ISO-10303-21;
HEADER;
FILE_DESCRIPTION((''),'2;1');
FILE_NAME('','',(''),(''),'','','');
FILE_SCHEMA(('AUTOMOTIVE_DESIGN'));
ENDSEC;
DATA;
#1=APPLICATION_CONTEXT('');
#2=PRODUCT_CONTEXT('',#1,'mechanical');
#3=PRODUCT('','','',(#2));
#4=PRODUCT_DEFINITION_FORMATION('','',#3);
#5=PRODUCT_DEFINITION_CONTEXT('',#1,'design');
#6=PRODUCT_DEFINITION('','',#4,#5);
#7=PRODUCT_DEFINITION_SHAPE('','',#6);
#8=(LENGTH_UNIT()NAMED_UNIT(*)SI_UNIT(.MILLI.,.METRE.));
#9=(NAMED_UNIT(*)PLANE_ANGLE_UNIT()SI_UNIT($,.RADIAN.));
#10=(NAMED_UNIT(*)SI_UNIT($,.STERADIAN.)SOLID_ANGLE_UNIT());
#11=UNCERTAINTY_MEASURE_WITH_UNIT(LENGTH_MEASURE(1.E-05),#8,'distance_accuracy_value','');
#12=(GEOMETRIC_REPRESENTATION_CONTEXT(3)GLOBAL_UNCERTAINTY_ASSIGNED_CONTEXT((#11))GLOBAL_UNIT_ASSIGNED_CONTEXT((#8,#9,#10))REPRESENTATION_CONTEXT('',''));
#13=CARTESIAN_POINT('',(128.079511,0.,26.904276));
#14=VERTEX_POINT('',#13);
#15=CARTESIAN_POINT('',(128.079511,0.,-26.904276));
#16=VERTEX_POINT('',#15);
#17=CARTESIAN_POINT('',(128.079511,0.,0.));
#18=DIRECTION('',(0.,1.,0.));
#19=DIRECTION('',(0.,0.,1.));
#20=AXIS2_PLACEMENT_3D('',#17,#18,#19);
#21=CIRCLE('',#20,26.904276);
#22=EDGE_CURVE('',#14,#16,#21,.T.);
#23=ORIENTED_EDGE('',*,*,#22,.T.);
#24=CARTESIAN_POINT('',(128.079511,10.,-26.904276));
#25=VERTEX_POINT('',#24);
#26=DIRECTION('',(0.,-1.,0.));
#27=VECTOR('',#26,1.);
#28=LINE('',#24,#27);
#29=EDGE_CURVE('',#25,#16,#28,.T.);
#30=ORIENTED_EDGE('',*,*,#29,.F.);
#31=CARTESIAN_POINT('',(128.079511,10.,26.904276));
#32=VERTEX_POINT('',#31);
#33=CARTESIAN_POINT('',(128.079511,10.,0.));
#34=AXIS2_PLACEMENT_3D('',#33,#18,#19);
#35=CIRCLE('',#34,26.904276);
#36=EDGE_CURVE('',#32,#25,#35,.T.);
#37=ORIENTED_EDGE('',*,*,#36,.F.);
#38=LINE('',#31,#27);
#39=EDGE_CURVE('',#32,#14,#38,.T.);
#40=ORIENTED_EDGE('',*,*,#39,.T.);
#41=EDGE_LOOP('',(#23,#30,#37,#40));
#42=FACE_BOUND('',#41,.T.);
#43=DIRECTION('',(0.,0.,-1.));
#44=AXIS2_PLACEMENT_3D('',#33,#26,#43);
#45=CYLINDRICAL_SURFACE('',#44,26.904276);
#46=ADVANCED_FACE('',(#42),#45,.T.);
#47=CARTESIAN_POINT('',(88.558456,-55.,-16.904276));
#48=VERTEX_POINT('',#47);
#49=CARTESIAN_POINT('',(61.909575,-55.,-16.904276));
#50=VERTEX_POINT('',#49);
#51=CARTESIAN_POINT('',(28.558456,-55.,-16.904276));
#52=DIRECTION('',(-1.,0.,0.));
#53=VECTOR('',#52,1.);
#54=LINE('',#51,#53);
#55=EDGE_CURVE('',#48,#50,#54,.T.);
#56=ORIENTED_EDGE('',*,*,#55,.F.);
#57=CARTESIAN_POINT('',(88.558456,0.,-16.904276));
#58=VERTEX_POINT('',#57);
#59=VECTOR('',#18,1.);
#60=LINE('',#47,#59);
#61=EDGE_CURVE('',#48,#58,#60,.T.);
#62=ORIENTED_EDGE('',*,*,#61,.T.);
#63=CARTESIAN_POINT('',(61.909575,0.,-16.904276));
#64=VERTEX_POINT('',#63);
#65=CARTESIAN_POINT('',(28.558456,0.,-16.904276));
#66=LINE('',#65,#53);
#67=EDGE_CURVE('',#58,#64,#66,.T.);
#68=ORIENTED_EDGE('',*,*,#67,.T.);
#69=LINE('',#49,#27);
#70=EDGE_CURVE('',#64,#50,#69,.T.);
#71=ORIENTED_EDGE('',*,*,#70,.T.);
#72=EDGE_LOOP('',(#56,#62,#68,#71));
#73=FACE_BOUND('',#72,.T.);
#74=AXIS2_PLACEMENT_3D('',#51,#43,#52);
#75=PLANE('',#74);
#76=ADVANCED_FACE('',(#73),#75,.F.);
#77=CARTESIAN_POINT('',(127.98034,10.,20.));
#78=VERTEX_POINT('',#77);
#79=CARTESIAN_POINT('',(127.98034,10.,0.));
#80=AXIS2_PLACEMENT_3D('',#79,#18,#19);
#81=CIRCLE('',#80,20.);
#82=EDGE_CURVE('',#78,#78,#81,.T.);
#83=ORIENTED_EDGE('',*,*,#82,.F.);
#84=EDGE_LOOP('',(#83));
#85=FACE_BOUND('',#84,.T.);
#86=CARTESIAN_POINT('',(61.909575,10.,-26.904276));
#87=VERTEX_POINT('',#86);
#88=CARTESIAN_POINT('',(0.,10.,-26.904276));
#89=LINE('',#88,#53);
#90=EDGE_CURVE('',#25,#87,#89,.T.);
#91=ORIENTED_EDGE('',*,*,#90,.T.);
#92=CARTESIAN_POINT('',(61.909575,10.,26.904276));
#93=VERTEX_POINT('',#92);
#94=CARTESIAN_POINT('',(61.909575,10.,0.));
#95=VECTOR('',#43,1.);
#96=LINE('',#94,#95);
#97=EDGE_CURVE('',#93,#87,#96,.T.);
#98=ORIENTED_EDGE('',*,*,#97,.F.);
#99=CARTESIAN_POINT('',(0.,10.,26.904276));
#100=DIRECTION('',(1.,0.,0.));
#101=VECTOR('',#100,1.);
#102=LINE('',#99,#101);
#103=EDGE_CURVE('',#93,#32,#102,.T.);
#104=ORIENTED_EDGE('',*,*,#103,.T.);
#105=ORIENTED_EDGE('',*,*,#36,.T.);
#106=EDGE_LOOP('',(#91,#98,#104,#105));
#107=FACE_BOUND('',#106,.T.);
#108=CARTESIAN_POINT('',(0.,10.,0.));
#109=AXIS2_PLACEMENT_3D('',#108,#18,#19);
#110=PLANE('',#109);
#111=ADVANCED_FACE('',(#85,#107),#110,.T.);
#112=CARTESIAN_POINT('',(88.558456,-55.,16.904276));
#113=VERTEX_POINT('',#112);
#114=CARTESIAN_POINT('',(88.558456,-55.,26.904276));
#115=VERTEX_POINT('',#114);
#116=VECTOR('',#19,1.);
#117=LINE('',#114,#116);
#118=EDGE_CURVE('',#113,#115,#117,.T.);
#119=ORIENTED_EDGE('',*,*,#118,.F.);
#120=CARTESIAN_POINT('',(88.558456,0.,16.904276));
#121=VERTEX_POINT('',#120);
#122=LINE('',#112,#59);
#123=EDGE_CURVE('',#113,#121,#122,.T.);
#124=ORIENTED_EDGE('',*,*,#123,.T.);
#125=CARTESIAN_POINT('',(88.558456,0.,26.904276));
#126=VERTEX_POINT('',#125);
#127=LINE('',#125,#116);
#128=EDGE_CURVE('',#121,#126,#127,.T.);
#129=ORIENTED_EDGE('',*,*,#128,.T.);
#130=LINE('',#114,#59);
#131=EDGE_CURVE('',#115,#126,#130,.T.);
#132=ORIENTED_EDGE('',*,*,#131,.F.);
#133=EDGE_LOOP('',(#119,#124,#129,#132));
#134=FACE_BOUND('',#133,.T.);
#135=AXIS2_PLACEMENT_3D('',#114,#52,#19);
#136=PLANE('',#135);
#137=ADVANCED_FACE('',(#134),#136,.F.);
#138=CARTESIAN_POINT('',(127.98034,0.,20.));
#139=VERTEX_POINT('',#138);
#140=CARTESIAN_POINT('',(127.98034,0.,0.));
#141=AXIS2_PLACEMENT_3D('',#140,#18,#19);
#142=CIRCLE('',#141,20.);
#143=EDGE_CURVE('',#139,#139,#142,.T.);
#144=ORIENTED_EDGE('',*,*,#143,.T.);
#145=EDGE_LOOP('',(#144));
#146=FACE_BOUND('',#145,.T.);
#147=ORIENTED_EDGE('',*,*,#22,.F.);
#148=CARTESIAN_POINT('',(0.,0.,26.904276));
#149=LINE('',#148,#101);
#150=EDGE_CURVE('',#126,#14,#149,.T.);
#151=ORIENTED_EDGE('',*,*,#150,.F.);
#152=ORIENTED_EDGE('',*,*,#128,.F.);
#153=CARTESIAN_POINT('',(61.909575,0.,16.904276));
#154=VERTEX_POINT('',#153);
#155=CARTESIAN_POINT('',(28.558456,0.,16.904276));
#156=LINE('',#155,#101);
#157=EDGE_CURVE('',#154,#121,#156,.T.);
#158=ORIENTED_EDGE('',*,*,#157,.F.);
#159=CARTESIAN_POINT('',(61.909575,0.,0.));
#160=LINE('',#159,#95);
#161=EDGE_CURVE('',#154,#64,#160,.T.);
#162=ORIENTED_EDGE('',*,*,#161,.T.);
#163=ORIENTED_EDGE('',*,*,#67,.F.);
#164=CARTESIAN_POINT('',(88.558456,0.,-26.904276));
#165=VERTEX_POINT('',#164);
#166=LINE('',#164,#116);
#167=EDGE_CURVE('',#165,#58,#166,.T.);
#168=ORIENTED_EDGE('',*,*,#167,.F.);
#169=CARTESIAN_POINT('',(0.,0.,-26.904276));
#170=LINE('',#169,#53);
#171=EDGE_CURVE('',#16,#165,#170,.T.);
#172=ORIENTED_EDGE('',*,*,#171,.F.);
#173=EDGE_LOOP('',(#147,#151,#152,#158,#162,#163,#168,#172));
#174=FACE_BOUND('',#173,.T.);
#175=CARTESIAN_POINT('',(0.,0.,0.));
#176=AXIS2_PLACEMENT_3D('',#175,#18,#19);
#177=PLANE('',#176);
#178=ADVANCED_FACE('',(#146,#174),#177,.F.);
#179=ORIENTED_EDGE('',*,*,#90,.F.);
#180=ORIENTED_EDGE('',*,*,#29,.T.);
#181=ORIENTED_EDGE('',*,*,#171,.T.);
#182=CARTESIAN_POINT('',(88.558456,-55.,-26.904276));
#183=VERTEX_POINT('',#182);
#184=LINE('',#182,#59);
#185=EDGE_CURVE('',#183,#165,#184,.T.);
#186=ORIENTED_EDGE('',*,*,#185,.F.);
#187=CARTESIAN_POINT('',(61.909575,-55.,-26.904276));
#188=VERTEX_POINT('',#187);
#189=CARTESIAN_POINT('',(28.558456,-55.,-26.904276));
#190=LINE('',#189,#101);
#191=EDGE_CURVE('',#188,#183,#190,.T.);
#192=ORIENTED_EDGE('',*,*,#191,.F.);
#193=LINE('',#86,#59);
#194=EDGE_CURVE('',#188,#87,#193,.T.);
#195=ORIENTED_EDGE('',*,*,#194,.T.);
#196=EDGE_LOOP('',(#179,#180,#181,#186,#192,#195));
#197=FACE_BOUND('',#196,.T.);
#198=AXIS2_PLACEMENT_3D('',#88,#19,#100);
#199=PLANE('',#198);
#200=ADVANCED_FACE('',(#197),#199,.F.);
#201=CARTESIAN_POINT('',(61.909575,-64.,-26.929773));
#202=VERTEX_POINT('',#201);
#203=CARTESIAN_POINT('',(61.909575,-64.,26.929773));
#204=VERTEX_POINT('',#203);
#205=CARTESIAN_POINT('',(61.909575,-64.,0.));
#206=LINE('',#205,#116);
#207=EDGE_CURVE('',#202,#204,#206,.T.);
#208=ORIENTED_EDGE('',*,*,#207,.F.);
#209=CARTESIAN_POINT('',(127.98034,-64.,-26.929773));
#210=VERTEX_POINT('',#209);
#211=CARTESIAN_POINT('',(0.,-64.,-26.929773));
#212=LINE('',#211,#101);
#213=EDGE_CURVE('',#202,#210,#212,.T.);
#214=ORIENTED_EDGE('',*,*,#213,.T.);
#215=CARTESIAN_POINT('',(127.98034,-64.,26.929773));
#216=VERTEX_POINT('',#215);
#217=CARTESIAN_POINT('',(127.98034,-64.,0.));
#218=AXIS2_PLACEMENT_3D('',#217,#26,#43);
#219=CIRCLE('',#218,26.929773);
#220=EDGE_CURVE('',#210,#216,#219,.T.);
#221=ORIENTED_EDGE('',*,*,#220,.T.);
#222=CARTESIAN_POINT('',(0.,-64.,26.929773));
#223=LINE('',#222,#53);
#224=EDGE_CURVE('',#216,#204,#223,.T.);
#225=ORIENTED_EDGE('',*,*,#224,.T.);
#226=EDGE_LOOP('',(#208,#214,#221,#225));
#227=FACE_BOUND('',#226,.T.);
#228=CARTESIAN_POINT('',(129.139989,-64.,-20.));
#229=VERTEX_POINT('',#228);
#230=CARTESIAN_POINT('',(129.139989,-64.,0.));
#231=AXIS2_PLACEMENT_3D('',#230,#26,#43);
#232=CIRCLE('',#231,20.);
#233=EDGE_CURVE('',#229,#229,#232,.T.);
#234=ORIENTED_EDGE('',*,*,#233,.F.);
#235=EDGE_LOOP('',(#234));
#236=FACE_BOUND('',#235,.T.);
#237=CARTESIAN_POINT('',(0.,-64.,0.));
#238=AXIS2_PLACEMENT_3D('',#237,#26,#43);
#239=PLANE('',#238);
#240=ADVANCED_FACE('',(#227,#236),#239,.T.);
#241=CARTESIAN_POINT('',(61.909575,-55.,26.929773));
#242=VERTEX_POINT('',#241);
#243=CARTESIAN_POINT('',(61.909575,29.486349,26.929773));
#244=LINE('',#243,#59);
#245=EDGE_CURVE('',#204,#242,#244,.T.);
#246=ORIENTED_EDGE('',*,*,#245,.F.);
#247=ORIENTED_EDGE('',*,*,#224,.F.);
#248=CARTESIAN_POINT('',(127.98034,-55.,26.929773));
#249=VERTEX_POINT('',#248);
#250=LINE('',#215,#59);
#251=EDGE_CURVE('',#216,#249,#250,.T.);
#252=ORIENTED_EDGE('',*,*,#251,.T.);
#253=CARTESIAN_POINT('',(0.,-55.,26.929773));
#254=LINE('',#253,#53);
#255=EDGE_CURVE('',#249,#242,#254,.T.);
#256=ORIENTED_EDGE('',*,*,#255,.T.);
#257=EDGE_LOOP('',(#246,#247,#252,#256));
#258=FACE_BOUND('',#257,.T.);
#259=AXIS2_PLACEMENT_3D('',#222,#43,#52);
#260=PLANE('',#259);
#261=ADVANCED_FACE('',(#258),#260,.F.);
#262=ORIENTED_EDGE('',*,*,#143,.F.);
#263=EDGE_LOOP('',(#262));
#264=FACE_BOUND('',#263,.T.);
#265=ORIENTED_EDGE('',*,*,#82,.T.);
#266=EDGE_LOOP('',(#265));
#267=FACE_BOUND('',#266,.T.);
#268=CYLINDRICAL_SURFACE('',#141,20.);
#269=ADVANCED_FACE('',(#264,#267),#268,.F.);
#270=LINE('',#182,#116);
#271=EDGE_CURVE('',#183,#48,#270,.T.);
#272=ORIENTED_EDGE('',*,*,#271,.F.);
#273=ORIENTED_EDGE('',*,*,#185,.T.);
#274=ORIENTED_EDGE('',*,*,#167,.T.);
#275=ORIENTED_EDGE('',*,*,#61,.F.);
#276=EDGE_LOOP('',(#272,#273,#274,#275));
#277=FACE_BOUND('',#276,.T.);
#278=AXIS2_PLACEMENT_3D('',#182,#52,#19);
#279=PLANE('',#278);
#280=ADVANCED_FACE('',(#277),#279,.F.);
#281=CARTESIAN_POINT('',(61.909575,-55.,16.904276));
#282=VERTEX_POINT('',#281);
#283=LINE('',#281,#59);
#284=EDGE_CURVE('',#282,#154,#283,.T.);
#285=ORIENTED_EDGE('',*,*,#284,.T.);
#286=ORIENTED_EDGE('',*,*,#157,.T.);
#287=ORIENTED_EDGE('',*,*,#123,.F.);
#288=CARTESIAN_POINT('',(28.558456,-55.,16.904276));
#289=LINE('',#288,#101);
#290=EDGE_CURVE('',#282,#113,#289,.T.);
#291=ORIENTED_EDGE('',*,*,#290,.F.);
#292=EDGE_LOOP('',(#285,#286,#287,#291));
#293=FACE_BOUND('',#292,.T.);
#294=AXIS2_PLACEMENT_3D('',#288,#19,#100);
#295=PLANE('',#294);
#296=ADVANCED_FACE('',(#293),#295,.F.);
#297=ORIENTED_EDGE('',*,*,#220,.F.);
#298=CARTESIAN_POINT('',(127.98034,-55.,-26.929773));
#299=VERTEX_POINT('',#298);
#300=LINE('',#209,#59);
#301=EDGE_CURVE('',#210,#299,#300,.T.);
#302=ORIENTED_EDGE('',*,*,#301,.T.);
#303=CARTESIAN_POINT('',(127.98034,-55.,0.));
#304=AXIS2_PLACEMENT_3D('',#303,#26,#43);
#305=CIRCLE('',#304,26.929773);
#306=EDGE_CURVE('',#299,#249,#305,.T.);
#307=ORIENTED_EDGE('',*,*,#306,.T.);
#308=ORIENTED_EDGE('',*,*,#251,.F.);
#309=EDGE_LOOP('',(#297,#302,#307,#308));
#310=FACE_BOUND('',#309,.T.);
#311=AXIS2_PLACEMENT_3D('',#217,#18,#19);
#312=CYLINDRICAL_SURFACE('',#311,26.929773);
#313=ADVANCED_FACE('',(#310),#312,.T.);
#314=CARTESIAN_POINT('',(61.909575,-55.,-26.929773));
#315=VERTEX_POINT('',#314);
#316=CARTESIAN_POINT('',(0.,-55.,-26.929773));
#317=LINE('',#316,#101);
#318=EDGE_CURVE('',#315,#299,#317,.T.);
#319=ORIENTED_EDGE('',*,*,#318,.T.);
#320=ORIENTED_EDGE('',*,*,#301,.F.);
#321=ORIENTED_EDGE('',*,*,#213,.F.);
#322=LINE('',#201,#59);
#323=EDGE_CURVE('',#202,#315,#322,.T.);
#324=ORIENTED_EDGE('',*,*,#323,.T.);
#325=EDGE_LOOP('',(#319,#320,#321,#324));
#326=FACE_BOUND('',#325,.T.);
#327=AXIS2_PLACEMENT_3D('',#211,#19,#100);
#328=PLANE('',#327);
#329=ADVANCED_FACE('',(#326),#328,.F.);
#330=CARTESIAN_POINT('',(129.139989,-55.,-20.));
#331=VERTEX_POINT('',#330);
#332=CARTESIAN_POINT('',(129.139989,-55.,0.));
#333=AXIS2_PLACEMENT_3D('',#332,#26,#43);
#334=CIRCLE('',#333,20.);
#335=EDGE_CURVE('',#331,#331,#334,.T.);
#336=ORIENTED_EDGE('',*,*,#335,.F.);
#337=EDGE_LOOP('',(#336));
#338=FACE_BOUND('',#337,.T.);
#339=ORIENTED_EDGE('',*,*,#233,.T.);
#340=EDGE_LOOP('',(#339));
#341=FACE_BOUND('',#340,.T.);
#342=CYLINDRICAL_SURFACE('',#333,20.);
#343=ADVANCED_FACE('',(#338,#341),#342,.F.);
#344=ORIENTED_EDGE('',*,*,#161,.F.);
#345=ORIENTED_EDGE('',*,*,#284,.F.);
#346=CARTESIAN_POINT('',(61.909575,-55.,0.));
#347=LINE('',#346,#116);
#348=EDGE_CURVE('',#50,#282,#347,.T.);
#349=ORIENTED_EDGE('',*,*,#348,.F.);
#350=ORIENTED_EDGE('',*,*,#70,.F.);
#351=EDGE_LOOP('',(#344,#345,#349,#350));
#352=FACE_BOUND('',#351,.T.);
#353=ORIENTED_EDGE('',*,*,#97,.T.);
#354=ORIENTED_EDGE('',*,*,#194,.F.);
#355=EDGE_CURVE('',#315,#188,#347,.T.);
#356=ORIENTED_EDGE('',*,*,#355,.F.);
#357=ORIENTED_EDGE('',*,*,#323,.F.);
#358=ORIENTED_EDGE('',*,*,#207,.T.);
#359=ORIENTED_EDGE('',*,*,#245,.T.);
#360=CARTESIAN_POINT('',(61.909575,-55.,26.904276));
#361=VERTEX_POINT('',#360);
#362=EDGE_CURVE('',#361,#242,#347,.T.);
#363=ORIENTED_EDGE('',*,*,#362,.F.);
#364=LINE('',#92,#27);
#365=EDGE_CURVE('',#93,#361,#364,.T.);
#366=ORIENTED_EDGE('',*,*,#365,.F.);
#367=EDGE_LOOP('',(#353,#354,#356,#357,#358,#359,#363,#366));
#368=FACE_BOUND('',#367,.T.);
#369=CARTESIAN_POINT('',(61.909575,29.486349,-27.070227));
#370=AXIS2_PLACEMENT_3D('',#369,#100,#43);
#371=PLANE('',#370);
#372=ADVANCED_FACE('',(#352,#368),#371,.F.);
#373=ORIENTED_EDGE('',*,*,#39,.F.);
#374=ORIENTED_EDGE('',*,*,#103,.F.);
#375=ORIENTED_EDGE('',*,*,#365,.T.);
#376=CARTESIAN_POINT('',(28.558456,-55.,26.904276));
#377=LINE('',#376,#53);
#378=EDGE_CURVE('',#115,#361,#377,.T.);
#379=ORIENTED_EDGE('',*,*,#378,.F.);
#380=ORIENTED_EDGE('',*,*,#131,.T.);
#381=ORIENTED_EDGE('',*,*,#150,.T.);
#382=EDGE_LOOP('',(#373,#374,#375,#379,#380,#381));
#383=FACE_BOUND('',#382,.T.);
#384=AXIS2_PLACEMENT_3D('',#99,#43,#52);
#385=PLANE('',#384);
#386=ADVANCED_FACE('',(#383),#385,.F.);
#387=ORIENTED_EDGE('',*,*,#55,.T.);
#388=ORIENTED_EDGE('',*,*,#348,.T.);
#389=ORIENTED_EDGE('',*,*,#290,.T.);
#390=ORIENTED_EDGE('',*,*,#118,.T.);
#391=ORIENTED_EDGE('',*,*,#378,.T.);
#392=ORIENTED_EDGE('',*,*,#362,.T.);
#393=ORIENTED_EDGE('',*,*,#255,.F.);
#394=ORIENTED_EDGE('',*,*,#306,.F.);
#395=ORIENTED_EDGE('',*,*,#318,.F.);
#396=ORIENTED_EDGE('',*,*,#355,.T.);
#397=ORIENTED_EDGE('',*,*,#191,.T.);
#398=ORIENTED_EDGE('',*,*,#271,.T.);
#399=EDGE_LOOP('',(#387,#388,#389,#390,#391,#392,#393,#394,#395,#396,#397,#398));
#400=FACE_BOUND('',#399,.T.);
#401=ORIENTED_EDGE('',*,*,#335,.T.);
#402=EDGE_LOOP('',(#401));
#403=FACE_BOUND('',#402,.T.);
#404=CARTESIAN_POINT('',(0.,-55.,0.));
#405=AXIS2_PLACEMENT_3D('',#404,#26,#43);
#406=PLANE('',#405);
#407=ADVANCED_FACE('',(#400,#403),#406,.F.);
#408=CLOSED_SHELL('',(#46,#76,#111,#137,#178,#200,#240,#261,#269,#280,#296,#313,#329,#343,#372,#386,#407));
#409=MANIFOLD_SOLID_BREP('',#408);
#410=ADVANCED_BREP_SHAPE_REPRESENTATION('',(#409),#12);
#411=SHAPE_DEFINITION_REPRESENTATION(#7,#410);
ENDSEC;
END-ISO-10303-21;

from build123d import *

# Parameters (mm, degrees)
SALIENTE_EXTRUIR1_DEPTH = 10
CROQUIS2_R              = 20
CORTAR_EXTRUIR1_DEPTH   = 10
CROQUIS3_R              = 20
CORTAR_EXTRUIR2_DEPTH   = 10
CROQUIS5_W              = 60
CROQUIS5_H              = 10
SALIENTE_EXTRUIR3_DEPTH = 55
SALIENTE_EXTRUIR4_DEPTH = 9
CROQUIS8_R              = 20
CORTAR_EXTRUIR3_DEPTH   = 9
CROQUIS9_R              = 20
CORTAR_EXTRUIR4_DEPTH   = 10
CROQUIS11_W             = 94.452906293
CROQUIS11_H             = 104.053500068
CORTAR_EXTRUIR6_DEPTH   = 54
CROQUIS15_W             = 76.60704733
CROQUIS15_H             = 9.910818825
CORTAR_EXTRUIR7_DEPTH   = 76


with BuildPart() as part:
    # Croquis1 → Saliente-Extruir1 (new body)
    with BuildSketch(Plane(origin=(0, 0, 0), x_dir=(1, 0, 0), z_dir=(0, 1, 0))):
        with BuildLine():
            Line((0, 26.904276051), (128.079511341, 26.904276051))
            ThreePointArc((128.079511341, 26.904276051), (154.983787391, 0), (128.079511341, -26.904276051))
            Line((128.079511341, -26.904276051), (0, -26.904276051))
            ThreePointArc((0, -26.904276051), (-26.904276051, 0), (0, 26.904276051))
        make_face()
    extrude(amount=SALIENTE_EXTRUIR1_DEPTH)

    # Croquis2 → Cortar-Extruir1 (cut)
    with BuildSketch(Plane.XZ):
        with Locations(Location((0, 0, 0), (0, 0, 270))):
            Circle(CROQUIS2_R)
    extrude(amount=-CORTAR_EXTRUIR1_DEPTH, mode=Mode.SUBTRACT)

    # Croquis3 → Cortar-Extruir2 (cut)
    with BuildSketch(Plane(origin=(0, 10, 0), x_dir=(1, 0, 0), z_dir=(0, 1, 0))):
        with Locations(Location((127.980340476, 0, 0), (0, 0, 270))):
            Circle(CROQUIS3_R)
    extrude(amount=-CORTAR_EXTRUIR2_DEPTH, mode=Mode.SUBTRACT)

    # Croquis5 → Saliente-Extruir3 (add)
    with BuildSketch(Plane(origin=(0, 0, 0), x_dir=(-1, 0, 0), z_dir=(0, -1, 0))):
        with Locations((-58.558456053, -21.904276051)):
            Rectangle(CROQUIS5_W, CROQUIS5_H)
        with Locations((-58.558456053, 21.904276051)):
            Rectangle(CROQUIS5_W, CROQUIS5_H)
    extrude(amount=SALIENTE_EXTRUIR3_DEPTH)

    # Croquis7 → Saliente-Extruir4 (add)
    with BuildSketch(Plane(origin=(0, -55, 0), x_dir=(-1, 0, 0), z_dir=(0, -1, 0))):
        with BuildLine():
            Line((0, -26.929773303), (-127.980340476, -26.929773303))
            ThreePointArc((-127.980340476, -26.929773303), (-154.910113778, 0), (-127.980340476, 26.929773303))
            Line((-127.980340476, 26.929773303), (0, 26.929773303))
            ThreePointArc((0, 26.929773303), (26.929773303, 0), (0, -26.929773303))
        make_face()
    extrude(amount=SALIENTE_EXTRUIR4_DEPTH)

    # Croquis8 → Cortar-Extruir3 (cut)
    with BuildSketch(Plane(origin=(0, -64, 0), x_dir=(-1, 0, 0), z_dir=(0, -1, 0))):
        with Locations(Location((-129.139989333, 0, 0), (0, 0, 90))):
            Circle(CROQUIS8_R)
    extrude(amount=-CORTAR_EXTRUIR3_DEPTH, mode=Mode.SUBTRACT)

    # Croquis9 → Cortar-Extruir4 (cut)
    with BuildSketch(Plane(origin=(0, -64, 0), x_dir=(-1, 0, 0), z_dir=(0, -1, 0))):
        with Locations(Location((0, 0, 0), (0, 0, 90))):
            Circle(CROQUIS9_R)
    extrude(amount=-CORTAR_EXTRUIR4_DEPTH, mode=Mode.SUBTRACT)

    # Croquis11 → Cortar-Extruir6 (cut)
    with BuildSketch(Plane.XY.offset(26.929773303)):
        with Locations((14.683121645, -22.540401026)):
            Rectangle(CROQUIS11_W, CROQUIS11_H)
    extrude(amount=-CORTAR_EXTRUIR6_DEPTH, mode=Mode.SUBTRACT)

    # Croquis15 → Cortar-Extruir7 (cut)
    with BuildSketch(Plane(origin=(61.909574791, 10, 26.705021593), x_dir=(1, 0, 0), z_dir=(0, 1, 0))):
        with Locations((-38.303523665, -4.955409412)):
            Rectangle(CROQUIS15_W, CROQUIS15_H)
    extrude(amount=-CORTAR_EXTRUIR7_DEPTH, mode=Mode.SUBTRACT)


solid = part.part
